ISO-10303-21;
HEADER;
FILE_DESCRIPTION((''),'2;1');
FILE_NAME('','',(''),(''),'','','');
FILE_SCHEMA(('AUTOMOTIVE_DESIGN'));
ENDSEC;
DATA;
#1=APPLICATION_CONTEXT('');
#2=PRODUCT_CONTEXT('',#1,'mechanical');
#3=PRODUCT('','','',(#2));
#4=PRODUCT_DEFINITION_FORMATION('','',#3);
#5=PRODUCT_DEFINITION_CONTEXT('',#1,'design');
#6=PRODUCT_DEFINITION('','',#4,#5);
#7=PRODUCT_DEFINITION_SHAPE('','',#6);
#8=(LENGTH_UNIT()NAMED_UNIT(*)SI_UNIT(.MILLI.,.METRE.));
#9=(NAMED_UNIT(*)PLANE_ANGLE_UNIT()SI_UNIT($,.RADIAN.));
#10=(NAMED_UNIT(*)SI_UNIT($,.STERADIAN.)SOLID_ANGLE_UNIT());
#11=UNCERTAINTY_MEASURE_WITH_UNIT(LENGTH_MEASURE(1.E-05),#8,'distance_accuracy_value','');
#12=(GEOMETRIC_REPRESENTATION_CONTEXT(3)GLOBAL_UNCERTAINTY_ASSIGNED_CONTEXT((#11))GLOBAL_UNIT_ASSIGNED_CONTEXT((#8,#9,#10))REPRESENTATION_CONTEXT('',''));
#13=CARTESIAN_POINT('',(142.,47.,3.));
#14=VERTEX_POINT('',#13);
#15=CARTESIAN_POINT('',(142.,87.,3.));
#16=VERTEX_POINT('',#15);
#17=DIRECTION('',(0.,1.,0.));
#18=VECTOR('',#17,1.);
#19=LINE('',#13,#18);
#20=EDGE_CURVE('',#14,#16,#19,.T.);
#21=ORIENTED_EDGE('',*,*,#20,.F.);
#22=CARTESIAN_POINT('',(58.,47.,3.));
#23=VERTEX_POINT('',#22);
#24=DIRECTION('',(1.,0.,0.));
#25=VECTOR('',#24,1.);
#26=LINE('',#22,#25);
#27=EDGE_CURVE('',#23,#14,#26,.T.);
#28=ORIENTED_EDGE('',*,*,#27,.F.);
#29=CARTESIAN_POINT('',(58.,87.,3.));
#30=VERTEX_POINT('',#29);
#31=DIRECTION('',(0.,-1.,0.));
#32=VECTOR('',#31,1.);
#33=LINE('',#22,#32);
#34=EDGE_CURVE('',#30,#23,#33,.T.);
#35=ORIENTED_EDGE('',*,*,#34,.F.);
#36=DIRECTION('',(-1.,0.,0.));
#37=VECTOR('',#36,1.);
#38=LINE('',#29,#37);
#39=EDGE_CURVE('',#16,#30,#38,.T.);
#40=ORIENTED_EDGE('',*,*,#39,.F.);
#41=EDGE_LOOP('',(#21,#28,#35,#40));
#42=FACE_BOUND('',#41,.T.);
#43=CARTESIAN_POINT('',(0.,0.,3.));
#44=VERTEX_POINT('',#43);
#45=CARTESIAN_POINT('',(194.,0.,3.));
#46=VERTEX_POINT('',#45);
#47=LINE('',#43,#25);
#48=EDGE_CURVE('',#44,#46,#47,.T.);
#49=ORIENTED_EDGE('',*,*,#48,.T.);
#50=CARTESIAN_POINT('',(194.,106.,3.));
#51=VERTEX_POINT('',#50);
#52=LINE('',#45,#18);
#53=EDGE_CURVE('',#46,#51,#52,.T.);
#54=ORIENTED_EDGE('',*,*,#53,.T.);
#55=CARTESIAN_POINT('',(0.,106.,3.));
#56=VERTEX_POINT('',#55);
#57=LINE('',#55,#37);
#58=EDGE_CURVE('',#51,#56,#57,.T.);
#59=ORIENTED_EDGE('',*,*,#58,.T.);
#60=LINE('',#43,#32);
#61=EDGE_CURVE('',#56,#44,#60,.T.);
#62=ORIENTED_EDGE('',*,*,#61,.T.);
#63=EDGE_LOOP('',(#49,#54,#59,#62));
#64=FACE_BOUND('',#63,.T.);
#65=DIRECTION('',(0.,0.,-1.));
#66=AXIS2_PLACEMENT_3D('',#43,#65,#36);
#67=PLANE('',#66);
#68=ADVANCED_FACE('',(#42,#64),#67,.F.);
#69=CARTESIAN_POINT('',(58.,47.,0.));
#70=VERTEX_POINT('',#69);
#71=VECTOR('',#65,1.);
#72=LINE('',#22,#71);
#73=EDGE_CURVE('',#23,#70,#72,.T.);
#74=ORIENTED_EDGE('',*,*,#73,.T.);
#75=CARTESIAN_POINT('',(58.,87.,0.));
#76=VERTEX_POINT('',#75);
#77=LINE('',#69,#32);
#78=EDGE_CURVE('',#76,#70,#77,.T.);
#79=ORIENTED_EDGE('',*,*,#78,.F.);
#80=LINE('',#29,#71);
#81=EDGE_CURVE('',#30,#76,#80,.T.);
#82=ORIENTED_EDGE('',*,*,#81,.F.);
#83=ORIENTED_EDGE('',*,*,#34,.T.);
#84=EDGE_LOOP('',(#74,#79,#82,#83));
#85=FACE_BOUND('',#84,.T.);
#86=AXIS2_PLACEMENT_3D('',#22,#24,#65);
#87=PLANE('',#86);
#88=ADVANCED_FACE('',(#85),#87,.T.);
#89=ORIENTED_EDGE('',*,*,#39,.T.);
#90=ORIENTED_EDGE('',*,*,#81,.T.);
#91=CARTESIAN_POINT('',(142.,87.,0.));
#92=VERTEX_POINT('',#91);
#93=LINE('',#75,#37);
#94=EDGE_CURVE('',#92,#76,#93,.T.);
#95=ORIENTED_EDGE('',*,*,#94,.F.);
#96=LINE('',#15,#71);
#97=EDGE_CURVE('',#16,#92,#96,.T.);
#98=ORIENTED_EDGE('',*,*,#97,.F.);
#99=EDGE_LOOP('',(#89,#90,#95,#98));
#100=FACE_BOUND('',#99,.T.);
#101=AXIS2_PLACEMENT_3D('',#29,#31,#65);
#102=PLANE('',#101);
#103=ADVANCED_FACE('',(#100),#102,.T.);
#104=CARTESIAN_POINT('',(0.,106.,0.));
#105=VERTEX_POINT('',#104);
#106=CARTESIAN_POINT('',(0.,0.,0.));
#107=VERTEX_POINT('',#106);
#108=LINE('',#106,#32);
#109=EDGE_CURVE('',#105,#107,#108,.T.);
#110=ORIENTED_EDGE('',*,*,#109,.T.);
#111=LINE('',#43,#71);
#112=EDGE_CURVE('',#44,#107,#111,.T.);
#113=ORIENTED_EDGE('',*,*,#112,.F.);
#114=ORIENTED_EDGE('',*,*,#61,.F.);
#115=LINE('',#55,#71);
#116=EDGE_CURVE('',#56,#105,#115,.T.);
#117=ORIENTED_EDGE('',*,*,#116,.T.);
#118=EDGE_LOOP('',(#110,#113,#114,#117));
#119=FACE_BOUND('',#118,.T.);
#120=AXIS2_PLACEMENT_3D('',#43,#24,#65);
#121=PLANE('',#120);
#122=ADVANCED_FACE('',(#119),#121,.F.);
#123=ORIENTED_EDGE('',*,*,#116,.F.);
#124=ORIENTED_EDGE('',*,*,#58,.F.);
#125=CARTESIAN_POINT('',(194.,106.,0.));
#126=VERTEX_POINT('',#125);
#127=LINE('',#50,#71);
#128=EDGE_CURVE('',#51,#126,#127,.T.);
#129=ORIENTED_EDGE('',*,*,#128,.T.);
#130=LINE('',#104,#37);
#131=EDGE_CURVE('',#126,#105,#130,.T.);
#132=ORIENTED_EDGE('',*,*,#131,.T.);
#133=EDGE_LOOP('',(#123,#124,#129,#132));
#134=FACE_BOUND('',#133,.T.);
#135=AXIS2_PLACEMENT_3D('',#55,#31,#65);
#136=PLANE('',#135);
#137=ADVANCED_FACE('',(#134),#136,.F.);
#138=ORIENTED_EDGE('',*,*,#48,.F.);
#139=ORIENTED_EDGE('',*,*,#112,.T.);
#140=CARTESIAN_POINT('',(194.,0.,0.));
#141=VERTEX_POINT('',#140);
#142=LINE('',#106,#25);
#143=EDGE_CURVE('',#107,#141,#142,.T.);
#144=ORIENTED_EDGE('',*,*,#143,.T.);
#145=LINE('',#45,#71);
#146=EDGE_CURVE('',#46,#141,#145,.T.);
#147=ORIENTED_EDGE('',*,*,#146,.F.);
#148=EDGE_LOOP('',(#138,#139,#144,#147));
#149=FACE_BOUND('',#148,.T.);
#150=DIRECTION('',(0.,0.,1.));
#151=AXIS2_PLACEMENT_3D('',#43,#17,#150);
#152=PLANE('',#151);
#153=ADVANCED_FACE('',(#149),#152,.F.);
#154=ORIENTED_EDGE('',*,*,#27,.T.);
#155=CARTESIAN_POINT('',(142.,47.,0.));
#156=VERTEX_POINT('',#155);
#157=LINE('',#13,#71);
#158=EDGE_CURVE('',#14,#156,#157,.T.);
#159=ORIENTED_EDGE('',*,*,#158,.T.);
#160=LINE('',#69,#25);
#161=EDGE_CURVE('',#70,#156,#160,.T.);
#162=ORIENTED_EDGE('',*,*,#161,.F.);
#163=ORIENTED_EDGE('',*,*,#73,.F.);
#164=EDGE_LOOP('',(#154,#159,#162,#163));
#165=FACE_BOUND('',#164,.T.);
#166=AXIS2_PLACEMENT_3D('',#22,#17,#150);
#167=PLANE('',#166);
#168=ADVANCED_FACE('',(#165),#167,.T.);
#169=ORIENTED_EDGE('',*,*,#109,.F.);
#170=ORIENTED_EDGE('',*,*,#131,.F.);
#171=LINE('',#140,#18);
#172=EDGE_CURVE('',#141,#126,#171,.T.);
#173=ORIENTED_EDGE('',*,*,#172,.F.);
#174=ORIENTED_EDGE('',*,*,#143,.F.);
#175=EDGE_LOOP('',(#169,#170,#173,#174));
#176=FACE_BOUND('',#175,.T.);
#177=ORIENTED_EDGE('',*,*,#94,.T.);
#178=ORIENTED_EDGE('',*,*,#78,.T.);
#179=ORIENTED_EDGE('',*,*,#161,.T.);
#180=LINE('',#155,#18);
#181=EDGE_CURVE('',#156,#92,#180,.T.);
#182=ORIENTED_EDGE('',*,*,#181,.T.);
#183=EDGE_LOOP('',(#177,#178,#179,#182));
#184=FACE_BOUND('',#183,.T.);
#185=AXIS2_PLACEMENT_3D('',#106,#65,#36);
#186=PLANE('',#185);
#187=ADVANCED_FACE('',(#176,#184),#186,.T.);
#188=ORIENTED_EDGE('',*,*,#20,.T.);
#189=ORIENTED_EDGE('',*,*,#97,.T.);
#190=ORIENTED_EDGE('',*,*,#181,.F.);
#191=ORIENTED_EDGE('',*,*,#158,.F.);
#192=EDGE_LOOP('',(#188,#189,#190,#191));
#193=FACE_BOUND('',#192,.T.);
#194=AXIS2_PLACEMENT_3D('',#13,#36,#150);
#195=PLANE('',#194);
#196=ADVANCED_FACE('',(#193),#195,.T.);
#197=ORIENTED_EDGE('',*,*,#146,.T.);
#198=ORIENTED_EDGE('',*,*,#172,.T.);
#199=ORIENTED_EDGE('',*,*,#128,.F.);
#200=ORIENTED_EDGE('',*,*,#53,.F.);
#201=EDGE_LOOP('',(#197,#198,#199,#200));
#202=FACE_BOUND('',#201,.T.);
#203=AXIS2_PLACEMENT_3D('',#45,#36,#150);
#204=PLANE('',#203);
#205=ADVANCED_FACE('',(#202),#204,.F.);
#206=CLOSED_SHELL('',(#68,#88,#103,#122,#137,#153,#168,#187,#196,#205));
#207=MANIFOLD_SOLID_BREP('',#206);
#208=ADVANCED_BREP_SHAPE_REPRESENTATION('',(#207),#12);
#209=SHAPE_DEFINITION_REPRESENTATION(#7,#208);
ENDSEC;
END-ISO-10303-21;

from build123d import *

# Parameters (mm, degrees)
SKETCH1_W     = 194
SKETCH1_H     = 106
SKETCH1_W_2   = 84
SKETCH1_H_2   = 40
PROFILE_DEPTH = 3


with BuildPart() as part:
    # Sketch1 → Profile (new body)
    with BuildSketch(Plane.XY):
        with Locations((97, 53)):
            Rectangle(SKETCH1_W, SKETCH1_H)
        with Locations((100, 67)):
            Rectangle(SKETCH1_W_2, SKETCH1_H_2, mode=Mode.SUBTRACT)
    extrude(amount=PROFILE_DEPTH)


solid = part.part
